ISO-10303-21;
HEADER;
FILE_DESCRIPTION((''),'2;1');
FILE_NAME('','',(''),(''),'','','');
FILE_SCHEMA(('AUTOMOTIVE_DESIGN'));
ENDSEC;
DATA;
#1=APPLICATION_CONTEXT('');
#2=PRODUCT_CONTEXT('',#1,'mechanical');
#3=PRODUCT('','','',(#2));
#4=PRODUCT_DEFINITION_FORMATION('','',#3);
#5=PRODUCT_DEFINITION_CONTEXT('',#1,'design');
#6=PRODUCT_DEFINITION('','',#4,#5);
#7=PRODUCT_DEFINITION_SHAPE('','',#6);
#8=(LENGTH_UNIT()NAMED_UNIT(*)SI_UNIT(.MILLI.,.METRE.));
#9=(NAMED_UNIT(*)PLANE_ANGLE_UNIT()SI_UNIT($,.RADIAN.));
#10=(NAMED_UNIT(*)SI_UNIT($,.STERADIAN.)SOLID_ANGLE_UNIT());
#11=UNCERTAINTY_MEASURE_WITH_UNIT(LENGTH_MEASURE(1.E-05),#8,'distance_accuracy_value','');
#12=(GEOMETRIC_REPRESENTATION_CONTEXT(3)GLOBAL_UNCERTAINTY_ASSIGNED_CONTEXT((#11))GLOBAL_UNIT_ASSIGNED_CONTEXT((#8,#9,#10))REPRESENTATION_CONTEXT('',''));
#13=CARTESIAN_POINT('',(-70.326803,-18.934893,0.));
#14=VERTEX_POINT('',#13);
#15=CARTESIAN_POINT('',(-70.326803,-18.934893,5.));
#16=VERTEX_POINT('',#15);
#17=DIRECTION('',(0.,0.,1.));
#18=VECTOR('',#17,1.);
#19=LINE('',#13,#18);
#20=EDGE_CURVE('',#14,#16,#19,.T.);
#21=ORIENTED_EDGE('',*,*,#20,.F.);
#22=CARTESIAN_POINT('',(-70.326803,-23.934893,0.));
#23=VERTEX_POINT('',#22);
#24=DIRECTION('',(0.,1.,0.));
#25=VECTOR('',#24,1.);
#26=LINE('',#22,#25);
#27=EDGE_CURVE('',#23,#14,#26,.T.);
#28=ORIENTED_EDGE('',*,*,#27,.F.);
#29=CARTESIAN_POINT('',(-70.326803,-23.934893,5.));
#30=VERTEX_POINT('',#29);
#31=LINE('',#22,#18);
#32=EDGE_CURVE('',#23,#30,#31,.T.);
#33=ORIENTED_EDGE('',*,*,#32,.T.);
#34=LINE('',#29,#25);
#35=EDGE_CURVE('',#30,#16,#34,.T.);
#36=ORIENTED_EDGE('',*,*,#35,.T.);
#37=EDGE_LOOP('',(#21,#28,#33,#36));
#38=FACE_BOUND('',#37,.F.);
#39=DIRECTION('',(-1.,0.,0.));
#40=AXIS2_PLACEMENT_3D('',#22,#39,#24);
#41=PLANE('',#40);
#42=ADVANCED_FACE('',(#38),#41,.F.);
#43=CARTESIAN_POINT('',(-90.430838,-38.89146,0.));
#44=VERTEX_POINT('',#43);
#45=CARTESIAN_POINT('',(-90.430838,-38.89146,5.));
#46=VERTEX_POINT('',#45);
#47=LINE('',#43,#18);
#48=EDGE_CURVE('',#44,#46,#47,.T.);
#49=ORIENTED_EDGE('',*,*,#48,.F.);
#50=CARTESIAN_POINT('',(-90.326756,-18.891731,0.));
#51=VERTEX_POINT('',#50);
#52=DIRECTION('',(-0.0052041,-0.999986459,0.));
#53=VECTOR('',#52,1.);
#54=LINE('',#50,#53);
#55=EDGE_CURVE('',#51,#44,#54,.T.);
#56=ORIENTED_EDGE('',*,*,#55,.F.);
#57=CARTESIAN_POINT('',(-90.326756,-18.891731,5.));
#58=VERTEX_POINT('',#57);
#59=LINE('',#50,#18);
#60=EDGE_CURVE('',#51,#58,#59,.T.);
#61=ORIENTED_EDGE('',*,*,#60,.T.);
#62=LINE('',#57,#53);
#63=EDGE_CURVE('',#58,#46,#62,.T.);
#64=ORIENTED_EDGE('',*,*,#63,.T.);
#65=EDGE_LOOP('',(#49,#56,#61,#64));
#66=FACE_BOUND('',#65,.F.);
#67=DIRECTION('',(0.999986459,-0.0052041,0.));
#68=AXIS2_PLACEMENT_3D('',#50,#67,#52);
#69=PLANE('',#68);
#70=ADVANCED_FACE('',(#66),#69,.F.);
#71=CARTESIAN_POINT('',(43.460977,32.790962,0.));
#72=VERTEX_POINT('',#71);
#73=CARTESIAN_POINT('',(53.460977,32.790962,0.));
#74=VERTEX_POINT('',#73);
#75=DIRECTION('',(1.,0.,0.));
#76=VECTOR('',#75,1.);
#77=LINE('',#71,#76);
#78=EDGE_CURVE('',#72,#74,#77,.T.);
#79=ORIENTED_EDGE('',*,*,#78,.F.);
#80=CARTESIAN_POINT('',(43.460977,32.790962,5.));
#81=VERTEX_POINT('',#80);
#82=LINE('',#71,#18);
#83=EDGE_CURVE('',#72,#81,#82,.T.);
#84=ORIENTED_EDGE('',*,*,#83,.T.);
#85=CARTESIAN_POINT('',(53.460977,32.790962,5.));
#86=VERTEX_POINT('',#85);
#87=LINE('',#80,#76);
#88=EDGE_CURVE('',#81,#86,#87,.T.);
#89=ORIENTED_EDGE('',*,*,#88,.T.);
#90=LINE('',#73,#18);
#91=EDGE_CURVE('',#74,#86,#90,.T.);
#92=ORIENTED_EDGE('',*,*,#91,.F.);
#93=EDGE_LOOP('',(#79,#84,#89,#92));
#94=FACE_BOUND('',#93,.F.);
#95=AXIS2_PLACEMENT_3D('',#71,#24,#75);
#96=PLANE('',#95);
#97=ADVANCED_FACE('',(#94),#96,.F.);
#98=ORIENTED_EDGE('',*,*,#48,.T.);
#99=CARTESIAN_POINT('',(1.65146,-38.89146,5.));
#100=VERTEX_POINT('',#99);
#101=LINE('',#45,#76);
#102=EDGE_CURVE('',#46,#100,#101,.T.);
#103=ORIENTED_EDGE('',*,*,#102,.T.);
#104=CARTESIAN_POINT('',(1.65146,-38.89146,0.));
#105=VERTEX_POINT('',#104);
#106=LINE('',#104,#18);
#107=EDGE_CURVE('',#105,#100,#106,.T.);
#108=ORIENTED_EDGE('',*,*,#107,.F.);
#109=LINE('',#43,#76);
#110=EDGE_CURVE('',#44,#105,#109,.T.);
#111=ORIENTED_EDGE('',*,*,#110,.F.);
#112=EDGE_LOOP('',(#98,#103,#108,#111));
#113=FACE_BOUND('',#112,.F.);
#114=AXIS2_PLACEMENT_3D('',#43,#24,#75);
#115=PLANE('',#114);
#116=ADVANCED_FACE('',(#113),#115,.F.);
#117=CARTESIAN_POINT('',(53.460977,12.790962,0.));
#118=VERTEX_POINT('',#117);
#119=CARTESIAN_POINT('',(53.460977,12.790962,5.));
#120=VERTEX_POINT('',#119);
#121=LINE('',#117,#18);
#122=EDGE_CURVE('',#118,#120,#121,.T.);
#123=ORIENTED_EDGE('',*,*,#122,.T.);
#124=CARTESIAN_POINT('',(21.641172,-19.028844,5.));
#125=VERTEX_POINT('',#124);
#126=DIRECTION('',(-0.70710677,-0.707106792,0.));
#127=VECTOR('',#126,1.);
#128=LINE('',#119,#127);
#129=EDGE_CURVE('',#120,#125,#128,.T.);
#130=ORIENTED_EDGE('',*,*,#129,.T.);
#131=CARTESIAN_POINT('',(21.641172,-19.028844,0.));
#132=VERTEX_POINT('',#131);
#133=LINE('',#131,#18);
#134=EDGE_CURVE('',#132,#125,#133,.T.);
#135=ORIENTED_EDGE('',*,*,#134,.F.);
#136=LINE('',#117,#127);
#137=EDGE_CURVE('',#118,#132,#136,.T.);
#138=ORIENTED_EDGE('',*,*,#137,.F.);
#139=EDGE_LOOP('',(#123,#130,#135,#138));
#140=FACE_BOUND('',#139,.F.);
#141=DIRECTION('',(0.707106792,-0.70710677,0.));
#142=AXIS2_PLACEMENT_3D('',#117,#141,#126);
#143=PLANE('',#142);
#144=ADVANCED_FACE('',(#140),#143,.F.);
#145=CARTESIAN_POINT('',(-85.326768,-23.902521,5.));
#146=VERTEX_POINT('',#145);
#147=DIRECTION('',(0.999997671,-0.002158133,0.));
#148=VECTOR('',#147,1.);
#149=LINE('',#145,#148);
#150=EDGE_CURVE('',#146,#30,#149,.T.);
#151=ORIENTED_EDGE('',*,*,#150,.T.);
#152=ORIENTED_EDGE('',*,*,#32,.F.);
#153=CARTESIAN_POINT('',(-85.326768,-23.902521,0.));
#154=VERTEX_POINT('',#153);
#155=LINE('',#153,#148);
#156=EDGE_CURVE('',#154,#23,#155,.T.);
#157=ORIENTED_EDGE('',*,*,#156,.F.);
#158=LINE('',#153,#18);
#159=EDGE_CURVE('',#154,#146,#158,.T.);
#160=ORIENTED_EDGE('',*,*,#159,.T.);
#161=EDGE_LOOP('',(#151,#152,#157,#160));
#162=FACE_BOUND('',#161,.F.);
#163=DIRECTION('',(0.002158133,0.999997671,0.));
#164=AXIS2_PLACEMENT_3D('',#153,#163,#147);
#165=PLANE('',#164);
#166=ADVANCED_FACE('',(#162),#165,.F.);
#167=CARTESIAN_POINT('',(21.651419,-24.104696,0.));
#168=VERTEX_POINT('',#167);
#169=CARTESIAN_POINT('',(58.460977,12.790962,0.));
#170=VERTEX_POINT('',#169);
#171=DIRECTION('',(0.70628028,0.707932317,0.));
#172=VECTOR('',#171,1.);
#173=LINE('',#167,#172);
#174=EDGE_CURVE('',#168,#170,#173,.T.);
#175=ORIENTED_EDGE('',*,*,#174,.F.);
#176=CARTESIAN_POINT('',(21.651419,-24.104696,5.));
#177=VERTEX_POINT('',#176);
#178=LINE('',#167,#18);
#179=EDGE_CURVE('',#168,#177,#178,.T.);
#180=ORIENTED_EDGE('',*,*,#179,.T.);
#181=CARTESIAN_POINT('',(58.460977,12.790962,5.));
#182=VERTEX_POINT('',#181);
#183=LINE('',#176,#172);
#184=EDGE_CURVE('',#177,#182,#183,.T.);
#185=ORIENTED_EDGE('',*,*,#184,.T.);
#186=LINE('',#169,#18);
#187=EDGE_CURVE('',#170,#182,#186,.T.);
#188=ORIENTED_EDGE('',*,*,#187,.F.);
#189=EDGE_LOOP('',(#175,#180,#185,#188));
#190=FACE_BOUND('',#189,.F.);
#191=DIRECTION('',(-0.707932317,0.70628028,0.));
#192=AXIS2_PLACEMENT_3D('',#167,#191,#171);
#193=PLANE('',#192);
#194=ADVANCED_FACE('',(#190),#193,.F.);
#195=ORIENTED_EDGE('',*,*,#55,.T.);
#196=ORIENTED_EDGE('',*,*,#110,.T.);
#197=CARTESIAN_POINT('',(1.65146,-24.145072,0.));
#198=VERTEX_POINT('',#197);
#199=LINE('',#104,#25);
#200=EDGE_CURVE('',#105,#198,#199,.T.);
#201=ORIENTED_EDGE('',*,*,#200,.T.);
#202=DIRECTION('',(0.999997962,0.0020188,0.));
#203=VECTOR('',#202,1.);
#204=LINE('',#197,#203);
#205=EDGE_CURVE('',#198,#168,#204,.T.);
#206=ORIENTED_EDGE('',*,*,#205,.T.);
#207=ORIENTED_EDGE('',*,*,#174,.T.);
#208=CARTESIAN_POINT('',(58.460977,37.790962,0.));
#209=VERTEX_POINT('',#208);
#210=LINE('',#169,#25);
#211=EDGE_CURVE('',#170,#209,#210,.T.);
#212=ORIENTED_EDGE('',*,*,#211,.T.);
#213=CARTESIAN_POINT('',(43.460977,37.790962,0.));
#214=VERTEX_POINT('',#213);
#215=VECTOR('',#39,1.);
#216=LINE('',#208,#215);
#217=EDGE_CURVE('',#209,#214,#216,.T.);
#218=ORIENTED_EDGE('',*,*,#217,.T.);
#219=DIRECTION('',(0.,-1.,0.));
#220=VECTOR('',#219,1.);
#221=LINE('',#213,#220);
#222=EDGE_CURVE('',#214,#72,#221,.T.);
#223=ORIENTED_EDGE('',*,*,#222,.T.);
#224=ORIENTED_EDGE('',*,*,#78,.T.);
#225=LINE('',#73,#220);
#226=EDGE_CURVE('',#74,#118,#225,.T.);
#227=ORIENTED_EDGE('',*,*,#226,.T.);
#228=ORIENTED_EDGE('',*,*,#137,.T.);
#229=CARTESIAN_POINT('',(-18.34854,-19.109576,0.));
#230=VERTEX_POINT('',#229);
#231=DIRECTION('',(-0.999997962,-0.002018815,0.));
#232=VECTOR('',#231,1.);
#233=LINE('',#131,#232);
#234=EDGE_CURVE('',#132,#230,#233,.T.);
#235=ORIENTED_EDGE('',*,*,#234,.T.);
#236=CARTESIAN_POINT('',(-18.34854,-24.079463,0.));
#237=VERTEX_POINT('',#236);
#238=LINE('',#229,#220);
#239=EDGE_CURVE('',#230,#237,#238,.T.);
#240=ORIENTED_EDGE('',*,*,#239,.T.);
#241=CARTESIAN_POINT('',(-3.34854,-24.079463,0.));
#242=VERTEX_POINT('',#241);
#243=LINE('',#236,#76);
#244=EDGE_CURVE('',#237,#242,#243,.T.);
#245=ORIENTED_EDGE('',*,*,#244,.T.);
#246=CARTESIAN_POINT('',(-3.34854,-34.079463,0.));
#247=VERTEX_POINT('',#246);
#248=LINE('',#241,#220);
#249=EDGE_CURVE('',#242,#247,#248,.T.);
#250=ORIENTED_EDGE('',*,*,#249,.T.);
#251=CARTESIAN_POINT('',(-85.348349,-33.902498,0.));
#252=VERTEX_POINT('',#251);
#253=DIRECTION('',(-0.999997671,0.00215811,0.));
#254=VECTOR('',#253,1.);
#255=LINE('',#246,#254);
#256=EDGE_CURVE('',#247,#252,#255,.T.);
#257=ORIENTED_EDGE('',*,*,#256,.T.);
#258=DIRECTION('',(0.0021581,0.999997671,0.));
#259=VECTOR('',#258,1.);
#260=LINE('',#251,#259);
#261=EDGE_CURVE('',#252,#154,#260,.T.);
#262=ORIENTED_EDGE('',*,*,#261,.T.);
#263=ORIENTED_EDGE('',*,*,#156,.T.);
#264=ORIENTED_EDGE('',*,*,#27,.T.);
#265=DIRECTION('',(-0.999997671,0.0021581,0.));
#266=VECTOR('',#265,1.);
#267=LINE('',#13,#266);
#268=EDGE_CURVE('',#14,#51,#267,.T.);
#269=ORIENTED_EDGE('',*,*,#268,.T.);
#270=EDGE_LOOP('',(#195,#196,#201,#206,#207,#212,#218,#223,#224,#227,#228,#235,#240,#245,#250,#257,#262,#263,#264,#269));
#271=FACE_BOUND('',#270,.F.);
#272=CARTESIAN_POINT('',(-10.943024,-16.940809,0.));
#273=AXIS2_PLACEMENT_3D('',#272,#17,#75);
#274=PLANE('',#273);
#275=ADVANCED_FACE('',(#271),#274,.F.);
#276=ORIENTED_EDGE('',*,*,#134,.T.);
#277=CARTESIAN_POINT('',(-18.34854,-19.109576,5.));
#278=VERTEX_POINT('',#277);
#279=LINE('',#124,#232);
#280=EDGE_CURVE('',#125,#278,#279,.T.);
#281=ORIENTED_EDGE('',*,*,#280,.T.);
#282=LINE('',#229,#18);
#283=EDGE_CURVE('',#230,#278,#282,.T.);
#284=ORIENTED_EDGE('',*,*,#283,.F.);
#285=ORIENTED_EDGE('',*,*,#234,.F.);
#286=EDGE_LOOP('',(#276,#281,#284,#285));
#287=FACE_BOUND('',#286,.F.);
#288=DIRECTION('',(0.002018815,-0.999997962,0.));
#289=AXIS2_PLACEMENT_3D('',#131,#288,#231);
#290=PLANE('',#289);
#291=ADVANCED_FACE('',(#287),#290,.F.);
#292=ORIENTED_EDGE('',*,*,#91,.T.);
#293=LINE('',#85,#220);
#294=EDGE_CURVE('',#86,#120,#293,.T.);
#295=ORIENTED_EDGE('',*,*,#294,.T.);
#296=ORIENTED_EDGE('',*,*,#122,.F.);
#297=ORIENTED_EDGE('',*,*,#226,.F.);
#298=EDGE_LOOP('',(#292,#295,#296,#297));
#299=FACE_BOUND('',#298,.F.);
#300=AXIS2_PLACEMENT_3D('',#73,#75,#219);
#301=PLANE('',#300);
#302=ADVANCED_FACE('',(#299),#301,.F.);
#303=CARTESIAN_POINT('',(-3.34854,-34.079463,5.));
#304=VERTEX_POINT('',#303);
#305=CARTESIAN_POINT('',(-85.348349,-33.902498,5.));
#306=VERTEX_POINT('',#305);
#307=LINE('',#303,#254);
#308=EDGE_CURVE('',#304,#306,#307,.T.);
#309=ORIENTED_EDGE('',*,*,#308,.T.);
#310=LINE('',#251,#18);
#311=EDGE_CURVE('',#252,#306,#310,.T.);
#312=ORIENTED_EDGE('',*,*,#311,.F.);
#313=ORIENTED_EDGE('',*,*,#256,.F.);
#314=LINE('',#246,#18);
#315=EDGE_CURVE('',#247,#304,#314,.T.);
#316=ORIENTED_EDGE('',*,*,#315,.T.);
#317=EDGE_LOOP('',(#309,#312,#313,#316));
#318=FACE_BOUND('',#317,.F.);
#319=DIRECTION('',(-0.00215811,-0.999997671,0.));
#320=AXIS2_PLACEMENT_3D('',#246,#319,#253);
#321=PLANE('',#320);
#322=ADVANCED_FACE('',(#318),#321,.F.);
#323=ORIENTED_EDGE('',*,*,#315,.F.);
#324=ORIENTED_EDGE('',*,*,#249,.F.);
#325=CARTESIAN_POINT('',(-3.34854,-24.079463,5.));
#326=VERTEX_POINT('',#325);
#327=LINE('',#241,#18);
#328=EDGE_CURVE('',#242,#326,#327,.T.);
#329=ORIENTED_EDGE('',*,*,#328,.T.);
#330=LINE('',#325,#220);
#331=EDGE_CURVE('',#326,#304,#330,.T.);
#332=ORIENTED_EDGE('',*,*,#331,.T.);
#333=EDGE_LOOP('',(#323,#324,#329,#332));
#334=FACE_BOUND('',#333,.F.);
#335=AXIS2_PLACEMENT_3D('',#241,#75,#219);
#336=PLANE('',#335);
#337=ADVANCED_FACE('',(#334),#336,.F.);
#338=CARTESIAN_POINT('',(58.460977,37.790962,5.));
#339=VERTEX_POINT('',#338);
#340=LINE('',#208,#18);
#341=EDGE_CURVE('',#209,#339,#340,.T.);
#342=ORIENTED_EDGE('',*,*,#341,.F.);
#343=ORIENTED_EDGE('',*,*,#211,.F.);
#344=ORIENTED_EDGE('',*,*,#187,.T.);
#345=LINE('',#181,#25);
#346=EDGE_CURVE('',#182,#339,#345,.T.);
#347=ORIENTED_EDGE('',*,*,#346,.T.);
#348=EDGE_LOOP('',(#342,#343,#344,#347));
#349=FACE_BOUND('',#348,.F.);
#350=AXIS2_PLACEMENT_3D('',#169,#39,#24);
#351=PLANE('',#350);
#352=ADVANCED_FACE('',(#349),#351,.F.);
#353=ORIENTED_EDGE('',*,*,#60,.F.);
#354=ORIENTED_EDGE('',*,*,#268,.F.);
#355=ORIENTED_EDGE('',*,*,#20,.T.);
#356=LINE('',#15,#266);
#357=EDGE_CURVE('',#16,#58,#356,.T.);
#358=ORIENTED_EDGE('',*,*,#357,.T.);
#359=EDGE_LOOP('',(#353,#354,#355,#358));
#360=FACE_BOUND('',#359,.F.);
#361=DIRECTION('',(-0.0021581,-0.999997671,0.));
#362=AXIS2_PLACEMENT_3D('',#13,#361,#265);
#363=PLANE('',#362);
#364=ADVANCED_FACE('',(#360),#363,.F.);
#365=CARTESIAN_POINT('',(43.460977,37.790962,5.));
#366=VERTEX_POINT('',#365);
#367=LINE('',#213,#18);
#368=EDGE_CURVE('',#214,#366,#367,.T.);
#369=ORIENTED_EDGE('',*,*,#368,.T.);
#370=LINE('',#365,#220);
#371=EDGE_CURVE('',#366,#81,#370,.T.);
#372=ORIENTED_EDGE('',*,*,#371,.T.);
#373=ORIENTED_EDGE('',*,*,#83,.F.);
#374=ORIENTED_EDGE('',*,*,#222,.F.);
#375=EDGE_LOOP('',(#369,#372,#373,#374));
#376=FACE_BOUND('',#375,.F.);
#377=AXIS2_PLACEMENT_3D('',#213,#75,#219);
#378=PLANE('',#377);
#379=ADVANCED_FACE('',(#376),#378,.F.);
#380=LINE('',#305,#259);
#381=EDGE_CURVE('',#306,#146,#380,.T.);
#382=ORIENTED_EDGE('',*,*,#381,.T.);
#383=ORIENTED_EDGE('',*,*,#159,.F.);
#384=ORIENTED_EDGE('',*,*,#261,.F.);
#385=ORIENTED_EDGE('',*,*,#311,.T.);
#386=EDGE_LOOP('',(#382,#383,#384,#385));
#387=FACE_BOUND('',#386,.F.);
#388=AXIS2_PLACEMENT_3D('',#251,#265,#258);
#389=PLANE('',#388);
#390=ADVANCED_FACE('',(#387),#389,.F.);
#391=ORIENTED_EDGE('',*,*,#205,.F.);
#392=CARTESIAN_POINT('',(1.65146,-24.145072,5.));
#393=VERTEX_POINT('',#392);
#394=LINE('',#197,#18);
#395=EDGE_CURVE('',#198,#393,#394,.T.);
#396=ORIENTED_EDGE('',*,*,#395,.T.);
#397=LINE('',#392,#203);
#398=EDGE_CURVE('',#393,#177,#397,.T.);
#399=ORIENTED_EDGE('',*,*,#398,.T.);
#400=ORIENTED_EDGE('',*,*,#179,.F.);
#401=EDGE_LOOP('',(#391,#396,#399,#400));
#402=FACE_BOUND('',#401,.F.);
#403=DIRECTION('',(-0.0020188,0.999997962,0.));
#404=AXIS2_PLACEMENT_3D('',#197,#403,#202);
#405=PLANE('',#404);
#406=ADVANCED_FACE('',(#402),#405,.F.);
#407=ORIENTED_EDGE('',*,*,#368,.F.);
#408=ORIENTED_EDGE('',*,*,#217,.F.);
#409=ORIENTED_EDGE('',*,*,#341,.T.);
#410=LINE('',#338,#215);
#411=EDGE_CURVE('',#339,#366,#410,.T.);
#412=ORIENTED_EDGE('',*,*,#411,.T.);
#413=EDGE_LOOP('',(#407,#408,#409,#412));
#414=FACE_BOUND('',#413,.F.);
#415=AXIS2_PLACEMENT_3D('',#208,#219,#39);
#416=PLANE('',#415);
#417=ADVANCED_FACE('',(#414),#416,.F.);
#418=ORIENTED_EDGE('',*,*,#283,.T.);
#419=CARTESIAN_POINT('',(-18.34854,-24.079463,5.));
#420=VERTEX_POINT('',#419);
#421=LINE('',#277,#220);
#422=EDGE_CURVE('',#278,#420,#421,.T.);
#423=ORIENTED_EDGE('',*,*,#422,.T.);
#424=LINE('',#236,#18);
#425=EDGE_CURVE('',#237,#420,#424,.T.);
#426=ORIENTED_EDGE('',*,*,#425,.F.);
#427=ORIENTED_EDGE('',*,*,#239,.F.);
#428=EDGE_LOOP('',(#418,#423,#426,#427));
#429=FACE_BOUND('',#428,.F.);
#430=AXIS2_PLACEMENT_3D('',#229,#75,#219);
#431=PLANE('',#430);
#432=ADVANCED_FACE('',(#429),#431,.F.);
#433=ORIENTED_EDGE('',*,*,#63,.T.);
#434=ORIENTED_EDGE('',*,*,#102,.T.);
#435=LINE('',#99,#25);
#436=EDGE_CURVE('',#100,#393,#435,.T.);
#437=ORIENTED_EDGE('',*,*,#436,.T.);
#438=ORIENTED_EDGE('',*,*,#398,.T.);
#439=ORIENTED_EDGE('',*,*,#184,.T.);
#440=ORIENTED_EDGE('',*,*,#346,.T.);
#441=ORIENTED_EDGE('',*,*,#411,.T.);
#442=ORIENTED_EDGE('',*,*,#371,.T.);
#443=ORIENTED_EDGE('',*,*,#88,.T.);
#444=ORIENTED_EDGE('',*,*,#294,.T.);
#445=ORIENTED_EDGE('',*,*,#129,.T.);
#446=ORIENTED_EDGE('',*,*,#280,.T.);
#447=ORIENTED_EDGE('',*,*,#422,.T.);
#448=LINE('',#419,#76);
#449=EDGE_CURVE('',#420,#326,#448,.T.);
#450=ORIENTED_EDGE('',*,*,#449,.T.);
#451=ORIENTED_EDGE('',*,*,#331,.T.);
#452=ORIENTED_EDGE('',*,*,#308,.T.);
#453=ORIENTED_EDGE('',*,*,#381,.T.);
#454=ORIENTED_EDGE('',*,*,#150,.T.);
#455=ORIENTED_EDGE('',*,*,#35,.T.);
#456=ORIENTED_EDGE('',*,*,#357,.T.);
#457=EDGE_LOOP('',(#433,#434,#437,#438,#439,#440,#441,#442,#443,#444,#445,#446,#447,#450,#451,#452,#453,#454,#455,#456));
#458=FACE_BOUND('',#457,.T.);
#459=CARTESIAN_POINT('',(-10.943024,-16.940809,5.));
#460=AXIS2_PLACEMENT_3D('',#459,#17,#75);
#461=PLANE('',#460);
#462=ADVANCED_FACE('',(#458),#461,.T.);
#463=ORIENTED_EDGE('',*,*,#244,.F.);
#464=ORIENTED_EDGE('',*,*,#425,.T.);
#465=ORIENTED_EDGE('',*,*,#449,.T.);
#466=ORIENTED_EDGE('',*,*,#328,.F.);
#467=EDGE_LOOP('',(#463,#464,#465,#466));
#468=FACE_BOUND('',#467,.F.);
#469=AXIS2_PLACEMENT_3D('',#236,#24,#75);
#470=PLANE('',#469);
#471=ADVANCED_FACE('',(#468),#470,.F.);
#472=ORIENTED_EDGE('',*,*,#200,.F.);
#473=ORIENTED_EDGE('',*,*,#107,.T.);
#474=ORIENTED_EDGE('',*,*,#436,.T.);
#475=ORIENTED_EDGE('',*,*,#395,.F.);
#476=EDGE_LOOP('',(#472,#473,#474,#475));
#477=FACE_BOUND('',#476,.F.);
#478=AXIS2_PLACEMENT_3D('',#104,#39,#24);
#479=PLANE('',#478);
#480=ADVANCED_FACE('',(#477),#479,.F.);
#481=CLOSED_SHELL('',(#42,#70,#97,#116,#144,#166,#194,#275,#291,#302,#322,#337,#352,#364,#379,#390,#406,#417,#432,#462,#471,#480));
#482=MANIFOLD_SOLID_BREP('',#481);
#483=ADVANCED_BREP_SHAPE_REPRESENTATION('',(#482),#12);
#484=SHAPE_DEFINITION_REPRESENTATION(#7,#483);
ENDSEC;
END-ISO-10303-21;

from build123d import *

# Parameters (mm, degrees)
F1_DEPTH = 5


with BuildPart() as f1:
    # F0 (on Top) → F1 (new body)
    with BuildSketch(Plane.XY):
        Polygon((43.460977, 32.790962), (53.460977, 32.790962), (53.460977, 12.790962), (21.641172, -19.028844), (-18.34854, -19.109576), (-18.34854, -24.079463), (-3.34854, -24.079463), (-3.34854, -34.079463), (-85.348349, -33.902498), (-85.326768, -23.902521), (-70.326803, -23.934893), (-70.326803, -18.934893), (-90.326756, -18.891731), (-90.430838, -38.89146), (1.65146, -38.89146), (1.65146, -24.145072), (21.651419, -24.104696), (58.460977, 12.790962), (58.460977, 37.790962), (43.460977, 37.790962), align=None)
    extrude(amount=F1_DEPTH)


solid = f1.part
